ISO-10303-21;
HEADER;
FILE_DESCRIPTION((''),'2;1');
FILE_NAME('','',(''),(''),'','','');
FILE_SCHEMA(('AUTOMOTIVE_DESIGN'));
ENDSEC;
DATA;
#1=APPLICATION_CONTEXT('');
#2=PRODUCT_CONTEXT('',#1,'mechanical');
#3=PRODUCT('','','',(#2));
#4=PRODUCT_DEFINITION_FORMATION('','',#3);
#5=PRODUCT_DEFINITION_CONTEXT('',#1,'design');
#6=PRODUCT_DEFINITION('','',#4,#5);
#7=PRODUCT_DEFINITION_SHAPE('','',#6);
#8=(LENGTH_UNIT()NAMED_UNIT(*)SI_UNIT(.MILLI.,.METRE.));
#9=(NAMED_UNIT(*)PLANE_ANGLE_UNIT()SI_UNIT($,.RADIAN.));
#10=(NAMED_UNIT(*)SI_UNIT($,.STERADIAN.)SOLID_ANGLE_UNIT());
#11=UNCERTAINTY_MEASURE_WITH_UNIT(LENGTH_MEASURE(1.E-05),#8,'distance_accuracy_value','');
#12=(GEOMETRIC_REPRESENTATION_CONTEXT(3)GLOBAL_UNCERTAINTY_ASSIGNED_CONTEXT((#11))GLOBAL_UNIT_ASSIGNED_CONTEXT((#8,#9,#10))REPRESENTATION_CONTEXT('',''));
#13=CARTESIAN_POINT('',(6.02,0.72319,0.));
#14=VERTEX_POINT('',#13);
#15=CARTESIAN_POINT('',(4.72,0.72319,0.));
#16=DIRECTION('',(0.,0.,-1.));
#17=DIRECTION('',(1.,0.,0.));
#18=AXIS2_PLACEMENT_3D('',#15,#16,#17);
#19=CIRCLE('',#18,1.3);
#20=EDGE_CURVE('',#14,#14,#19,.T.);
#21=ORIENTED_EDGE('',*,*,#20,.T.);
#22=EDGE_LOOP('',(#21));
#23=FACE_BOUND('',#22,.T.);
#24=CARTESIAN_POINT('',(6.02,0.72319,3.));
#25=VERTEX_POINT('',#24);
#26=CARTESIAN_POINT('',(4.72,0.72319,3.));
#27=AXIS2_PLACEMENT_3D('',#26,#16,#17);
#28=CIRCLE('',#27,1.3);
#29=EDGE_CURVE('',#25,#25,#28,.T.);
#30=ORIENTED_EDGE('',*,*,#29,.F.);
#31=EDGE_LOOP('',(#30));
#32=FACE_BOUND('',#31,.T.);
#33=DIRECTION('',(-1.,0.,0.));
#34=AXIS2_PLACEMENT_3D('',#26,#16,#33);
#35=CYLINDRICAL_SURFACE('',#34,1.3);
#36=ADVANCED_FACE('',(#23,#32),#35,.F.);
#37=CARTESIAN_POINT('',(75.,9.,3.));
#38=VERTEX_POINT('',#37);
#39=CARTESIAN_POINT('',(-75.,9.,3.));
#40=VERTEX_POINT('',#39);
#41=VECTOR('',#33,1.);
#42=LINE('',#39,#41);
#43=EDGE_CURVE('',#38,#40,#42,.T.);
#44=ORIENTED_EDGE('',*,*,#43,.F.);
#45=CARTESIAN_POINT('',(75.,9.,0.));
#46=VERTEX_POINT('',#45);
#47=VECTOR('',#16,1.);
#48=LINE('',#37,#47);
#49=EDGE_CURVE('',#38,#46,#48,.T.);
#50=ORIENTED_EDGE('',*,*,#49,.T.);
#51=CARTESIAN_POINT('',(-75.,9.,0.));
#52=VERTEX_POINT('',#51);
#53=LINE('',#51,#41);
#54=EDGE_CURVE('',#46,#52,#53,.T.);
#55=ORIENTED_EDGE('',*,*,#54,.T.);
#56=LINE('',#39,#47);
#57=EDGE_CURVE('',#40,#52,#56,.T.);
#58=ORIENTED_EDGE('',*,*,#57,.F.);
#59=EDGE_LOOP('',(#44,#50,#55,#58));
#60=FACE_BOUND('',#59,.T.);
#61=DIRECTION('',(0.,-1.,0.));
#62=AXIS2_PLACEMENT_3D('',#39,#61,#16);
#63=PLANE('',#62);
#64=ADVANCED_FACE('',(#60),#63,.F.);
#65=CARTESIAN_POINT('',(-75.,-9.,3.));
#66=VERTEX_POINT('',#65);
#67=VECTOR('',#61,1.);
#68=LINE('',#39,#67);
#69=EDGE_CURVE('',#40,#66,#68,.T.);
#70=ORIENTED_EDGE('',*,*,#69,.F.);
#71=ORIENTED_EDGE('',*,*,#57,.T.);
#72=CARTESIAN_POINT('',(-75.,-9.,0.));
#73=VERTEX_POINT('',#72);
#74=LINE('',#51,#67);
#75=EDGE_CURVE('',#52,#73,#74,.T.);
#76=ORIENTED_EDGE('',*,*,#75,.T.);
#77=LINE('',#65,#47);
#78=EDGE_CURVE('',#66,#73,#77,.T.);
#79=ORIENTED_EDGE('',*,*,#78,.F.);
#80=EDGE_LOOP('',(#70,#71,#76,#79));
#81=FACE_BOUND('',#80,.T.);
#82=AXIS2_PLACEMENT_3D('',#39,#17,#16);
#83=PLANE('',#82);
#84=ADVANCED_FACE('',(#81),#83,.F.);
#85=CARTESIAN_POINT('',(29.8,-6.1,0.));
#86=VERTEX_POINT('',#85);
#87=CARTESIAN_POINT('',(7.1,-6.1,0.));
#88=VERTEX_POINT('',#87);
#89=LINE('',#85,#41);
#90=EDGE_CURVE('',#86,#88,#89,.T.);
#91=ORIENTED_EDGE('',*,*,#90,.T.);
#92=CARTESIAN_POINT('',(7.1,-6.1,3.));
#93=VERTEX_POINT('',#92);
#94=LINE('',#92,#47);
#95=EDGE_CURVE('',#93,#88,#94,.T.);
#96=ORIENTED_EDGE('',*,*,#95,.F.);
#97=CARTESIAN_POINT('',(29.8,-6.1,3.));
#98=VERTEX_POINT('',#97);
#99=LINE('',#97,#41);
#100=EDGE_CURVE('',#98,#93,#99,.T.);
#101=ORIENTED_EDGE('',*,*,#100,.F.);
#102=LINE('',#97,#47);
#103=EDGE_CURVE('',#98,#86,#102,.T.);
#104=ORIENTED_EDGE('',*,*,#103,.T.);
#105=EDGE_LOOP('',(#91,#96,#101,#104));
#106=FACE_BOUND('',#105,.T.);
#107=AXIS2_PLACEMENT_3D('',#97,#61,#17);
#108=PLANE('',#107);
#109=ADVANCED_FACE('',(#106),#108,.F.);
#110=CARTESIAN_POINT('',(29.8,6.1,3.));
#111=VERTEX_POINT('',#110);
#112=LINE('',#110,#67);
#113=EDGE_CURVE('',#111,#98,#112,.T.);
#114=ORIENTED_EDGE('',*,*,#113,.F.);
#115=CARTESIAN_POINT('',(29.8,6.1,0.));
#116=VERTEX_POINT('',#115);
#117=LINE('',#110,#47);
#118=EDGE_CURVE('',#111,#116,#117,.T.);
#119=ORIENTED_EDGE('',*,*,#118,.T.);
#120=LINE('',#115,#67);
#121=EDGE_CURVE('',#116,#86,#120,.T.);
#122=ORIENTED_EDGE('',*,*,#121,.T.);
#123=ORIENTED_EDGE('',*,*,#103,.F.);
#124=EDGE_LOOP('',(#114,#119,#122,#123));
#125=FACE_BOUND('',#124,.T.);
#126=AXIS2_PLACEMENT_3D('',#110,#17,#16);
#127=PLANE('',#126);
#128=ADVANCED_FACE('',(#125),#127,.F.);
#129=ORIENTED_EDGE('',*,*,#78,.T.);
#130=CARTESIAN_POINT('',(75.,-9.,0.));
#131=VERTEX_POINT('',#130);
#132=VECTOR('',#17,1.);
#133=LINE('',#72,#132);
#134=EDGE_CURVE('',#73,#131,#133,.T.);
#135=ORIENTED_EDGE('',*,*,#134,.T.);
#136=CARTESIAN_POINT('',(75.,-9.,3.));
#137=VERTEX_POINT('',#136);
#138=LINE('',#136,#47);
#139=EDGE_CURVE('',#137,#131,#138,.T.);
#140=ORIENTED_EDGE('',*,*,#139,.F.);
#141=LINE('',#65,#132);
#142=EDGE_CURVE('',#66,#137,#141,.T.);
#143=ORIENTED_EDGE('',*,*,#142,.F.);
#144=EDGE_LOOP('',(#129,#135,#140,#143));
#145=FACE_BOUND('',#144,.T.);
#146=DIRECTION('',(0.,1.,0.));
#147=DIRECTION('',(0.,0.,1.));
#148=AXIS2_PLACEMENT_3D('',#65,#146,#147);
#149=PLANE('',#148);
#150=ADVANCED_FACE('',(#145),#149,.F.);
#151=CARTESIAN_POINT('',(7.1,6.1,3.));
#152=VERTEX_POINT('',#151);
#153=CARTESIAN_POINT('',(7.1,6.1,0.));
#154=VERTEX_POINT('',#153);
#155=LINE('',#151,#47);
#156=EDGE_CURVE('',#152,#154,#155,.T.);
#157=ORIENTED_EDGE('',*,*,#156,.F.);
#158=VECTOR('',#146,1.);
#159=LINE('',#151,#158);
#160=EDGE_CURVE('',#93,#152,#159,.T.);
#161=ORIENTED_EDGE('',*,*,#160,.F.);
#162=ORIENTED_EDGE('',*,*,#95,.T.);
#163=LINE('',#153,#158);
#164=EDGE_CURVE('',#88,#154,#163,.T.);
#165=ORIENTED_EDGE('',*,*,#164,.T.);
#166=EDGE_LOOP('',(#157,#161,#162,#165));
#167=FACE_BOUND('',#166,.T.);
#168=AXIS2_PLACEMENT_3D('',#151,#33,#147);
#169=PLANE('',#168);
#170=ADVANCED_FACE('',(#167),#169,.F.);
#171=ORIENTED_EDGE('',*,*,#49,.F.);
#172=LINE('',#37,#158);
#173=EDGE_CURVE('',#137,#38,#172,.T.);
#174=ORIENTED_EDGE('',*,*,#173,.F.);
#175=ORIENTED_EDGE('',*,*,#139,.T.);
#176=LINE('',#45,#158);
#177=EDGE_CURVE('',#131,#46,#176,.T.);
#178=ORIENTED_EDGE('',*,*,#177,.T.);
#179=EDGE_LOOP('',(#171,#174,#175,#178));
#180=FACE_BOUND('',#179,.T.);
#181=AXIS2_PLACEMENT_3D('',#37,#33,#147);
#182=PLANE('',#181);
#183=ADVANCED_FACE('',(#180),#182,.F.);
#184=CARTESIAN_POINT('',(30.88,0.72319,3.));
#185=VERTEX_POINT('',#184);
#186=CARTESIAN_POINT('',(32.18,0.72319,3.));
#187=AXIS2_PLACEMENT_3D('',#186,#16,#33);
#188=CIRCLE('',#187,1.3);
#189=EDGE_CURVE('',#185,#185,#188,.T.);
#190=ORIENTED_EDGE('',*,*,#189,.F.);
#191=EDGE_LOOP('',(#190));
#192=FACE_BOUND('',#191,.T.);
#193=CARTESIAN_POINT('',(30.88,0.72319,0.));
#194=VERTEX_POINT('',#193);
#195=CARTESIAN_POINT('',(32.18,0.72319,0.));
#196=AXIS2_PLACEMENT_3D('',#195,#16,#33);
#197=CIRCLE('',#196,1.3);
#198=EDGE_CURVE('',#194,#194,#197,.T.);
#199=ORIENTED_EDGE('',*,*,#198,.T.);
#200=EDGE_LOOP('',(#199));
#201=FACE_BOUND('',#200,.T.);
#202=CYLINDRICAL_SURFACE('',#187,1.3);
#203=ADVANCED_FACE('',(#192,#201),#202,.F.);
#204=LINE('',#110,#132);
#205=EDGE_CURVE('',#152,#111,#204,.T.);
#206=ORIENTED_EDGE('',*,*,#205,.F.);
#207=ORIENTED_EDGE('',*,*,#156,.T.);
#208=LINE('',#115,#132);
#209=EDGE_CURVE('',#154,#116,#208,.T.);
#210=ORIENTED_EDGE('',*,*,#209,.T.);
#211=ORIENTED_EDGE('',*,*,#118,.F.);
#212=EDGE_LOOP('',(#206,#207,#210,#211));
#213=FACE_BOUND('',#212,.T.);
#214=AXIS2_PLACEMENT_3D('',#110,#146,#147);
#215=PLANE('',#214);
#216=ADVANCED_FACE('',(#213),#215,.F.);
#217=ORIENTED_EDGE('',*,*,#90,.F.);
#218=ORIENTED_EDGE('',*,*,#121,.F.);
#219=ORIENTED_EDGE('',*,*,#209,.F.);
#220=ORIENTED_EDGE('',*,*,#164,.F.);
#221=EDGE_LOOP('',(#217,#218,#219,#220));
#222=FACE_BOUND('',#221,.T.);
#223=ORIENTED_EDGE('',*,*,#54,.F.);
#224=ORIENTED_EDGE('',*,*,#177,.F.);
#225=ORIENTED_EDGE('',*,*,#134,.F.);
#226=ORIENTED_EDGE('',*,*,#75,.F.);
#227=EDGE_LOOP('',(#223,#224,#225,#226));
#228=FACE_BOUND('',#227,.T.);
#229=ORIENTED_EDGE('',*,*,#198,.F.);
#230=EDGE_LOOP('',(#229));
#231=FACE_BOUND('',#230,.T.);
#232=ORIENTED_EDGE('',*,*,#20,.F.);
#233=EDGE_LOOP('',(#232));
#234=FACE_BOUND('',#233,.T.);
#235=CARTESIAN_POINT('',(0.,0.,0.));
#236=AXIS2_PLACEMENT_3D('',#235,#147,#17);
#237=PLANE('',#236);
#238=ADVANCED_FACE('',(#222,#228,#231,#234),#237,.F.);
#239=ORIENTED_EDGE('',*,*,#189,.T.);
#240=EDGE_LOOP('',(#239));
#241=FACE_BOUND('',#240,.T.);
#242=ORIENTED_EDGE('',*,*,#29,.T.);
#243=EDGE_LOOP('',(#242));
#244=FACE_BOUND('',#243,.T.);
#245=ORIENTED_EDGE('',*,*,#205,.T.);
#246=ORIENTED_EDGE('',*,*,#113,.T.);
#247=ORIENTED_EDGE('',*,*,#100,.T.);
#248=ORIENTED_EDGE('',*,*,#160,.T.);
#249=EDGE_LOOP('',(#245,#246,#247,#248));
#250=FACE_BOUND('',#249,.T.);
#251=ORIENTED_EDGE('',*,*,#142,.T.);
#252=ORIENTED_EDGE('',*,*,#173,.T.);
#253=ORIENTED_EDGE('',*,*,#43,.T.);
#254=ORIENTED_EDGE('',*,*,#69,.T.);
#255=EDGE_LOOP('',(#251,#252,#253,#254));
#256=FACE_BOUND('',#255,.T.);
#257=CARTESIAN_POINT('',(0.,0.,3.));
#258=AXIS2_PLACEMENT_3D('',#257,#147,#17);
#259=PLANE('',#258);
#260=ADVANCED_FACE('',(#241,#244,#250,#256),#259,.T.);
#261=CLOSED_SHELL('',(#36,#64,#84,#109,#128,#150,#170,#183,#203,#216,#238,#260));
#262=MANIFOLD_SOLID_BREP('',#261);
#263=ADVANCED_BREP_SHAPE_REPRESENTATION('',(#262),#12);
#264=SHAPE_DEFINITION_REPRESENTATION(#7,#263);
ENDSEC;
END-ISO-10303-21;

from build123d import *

# Parameters (mm, degrees)
SKETCH1_W           = 150
SKETCH1_H           = 18
BOSS_EXTRUDE1_DEPTH = 3
SKETCH2_W           = 22.7
SKETCH2_H           = 12.2
CUT_EXTRUDE1_DEPTH  = 3
SKETCH3_R           = 1.2
BOSS_EXTRUDE2_DEPTH = 3
SKETCH4_R           = 1.3
CUT_EXTRUDE2_DEPTH  = 3


with BuildPart() as part:
    # Sketch1 → Boss-Extrude1 (new body)
    with BuildSketch(Plane.XY):
        Rectangle(SKETCH1_W, SKETCH1_H)
    extrude(amount=BOSS_EXTRUDE1_DEPTH)

    # Sketch2 → Cut-Extrude1 (cut)
    with BuildSketch(Plane(origin=(0, 0, 0), x_dir=(-1, 0, 0), z_dir=(0, 0, -1))):
        with Locations((-18.45, 0)):
            Rectangle(SKETCH2_W, SKETCH2_H)
    extrude(amount=-CUT_EXTRUDE1_DEPTH, mode=Mode.SUBTRACT)

    # Sketch3 → Boss-Extrude2 (add)
    with BuildSketch(Plane.XY.offset(3)):
        with Locations((32.175, 0.1)):
            Circle(SKETCH3_R)
    extrude(amount=-BOSS_EXTRUDE2_DEPTH)

    # Sketch4 → Cut-Extrude2 (cut)
    with BuildSketch(Plane(origin=(0, 0, 0), x_dir=(-1, 0, 0), z_dir=(0, 0, -1))):
        with Locations((-32.18, 0.723190071)):
            Circle(SKETCH4_R)
        with Locations(Location((-4.72, 0.723190071, 0), (0, 0, 180))):
            Circle(SKETCH4_R)
    extrude(amount=-CUT_EXTRUDE2_DEPTH, mode=Mode.SUBTRACT)


solid = part.part
